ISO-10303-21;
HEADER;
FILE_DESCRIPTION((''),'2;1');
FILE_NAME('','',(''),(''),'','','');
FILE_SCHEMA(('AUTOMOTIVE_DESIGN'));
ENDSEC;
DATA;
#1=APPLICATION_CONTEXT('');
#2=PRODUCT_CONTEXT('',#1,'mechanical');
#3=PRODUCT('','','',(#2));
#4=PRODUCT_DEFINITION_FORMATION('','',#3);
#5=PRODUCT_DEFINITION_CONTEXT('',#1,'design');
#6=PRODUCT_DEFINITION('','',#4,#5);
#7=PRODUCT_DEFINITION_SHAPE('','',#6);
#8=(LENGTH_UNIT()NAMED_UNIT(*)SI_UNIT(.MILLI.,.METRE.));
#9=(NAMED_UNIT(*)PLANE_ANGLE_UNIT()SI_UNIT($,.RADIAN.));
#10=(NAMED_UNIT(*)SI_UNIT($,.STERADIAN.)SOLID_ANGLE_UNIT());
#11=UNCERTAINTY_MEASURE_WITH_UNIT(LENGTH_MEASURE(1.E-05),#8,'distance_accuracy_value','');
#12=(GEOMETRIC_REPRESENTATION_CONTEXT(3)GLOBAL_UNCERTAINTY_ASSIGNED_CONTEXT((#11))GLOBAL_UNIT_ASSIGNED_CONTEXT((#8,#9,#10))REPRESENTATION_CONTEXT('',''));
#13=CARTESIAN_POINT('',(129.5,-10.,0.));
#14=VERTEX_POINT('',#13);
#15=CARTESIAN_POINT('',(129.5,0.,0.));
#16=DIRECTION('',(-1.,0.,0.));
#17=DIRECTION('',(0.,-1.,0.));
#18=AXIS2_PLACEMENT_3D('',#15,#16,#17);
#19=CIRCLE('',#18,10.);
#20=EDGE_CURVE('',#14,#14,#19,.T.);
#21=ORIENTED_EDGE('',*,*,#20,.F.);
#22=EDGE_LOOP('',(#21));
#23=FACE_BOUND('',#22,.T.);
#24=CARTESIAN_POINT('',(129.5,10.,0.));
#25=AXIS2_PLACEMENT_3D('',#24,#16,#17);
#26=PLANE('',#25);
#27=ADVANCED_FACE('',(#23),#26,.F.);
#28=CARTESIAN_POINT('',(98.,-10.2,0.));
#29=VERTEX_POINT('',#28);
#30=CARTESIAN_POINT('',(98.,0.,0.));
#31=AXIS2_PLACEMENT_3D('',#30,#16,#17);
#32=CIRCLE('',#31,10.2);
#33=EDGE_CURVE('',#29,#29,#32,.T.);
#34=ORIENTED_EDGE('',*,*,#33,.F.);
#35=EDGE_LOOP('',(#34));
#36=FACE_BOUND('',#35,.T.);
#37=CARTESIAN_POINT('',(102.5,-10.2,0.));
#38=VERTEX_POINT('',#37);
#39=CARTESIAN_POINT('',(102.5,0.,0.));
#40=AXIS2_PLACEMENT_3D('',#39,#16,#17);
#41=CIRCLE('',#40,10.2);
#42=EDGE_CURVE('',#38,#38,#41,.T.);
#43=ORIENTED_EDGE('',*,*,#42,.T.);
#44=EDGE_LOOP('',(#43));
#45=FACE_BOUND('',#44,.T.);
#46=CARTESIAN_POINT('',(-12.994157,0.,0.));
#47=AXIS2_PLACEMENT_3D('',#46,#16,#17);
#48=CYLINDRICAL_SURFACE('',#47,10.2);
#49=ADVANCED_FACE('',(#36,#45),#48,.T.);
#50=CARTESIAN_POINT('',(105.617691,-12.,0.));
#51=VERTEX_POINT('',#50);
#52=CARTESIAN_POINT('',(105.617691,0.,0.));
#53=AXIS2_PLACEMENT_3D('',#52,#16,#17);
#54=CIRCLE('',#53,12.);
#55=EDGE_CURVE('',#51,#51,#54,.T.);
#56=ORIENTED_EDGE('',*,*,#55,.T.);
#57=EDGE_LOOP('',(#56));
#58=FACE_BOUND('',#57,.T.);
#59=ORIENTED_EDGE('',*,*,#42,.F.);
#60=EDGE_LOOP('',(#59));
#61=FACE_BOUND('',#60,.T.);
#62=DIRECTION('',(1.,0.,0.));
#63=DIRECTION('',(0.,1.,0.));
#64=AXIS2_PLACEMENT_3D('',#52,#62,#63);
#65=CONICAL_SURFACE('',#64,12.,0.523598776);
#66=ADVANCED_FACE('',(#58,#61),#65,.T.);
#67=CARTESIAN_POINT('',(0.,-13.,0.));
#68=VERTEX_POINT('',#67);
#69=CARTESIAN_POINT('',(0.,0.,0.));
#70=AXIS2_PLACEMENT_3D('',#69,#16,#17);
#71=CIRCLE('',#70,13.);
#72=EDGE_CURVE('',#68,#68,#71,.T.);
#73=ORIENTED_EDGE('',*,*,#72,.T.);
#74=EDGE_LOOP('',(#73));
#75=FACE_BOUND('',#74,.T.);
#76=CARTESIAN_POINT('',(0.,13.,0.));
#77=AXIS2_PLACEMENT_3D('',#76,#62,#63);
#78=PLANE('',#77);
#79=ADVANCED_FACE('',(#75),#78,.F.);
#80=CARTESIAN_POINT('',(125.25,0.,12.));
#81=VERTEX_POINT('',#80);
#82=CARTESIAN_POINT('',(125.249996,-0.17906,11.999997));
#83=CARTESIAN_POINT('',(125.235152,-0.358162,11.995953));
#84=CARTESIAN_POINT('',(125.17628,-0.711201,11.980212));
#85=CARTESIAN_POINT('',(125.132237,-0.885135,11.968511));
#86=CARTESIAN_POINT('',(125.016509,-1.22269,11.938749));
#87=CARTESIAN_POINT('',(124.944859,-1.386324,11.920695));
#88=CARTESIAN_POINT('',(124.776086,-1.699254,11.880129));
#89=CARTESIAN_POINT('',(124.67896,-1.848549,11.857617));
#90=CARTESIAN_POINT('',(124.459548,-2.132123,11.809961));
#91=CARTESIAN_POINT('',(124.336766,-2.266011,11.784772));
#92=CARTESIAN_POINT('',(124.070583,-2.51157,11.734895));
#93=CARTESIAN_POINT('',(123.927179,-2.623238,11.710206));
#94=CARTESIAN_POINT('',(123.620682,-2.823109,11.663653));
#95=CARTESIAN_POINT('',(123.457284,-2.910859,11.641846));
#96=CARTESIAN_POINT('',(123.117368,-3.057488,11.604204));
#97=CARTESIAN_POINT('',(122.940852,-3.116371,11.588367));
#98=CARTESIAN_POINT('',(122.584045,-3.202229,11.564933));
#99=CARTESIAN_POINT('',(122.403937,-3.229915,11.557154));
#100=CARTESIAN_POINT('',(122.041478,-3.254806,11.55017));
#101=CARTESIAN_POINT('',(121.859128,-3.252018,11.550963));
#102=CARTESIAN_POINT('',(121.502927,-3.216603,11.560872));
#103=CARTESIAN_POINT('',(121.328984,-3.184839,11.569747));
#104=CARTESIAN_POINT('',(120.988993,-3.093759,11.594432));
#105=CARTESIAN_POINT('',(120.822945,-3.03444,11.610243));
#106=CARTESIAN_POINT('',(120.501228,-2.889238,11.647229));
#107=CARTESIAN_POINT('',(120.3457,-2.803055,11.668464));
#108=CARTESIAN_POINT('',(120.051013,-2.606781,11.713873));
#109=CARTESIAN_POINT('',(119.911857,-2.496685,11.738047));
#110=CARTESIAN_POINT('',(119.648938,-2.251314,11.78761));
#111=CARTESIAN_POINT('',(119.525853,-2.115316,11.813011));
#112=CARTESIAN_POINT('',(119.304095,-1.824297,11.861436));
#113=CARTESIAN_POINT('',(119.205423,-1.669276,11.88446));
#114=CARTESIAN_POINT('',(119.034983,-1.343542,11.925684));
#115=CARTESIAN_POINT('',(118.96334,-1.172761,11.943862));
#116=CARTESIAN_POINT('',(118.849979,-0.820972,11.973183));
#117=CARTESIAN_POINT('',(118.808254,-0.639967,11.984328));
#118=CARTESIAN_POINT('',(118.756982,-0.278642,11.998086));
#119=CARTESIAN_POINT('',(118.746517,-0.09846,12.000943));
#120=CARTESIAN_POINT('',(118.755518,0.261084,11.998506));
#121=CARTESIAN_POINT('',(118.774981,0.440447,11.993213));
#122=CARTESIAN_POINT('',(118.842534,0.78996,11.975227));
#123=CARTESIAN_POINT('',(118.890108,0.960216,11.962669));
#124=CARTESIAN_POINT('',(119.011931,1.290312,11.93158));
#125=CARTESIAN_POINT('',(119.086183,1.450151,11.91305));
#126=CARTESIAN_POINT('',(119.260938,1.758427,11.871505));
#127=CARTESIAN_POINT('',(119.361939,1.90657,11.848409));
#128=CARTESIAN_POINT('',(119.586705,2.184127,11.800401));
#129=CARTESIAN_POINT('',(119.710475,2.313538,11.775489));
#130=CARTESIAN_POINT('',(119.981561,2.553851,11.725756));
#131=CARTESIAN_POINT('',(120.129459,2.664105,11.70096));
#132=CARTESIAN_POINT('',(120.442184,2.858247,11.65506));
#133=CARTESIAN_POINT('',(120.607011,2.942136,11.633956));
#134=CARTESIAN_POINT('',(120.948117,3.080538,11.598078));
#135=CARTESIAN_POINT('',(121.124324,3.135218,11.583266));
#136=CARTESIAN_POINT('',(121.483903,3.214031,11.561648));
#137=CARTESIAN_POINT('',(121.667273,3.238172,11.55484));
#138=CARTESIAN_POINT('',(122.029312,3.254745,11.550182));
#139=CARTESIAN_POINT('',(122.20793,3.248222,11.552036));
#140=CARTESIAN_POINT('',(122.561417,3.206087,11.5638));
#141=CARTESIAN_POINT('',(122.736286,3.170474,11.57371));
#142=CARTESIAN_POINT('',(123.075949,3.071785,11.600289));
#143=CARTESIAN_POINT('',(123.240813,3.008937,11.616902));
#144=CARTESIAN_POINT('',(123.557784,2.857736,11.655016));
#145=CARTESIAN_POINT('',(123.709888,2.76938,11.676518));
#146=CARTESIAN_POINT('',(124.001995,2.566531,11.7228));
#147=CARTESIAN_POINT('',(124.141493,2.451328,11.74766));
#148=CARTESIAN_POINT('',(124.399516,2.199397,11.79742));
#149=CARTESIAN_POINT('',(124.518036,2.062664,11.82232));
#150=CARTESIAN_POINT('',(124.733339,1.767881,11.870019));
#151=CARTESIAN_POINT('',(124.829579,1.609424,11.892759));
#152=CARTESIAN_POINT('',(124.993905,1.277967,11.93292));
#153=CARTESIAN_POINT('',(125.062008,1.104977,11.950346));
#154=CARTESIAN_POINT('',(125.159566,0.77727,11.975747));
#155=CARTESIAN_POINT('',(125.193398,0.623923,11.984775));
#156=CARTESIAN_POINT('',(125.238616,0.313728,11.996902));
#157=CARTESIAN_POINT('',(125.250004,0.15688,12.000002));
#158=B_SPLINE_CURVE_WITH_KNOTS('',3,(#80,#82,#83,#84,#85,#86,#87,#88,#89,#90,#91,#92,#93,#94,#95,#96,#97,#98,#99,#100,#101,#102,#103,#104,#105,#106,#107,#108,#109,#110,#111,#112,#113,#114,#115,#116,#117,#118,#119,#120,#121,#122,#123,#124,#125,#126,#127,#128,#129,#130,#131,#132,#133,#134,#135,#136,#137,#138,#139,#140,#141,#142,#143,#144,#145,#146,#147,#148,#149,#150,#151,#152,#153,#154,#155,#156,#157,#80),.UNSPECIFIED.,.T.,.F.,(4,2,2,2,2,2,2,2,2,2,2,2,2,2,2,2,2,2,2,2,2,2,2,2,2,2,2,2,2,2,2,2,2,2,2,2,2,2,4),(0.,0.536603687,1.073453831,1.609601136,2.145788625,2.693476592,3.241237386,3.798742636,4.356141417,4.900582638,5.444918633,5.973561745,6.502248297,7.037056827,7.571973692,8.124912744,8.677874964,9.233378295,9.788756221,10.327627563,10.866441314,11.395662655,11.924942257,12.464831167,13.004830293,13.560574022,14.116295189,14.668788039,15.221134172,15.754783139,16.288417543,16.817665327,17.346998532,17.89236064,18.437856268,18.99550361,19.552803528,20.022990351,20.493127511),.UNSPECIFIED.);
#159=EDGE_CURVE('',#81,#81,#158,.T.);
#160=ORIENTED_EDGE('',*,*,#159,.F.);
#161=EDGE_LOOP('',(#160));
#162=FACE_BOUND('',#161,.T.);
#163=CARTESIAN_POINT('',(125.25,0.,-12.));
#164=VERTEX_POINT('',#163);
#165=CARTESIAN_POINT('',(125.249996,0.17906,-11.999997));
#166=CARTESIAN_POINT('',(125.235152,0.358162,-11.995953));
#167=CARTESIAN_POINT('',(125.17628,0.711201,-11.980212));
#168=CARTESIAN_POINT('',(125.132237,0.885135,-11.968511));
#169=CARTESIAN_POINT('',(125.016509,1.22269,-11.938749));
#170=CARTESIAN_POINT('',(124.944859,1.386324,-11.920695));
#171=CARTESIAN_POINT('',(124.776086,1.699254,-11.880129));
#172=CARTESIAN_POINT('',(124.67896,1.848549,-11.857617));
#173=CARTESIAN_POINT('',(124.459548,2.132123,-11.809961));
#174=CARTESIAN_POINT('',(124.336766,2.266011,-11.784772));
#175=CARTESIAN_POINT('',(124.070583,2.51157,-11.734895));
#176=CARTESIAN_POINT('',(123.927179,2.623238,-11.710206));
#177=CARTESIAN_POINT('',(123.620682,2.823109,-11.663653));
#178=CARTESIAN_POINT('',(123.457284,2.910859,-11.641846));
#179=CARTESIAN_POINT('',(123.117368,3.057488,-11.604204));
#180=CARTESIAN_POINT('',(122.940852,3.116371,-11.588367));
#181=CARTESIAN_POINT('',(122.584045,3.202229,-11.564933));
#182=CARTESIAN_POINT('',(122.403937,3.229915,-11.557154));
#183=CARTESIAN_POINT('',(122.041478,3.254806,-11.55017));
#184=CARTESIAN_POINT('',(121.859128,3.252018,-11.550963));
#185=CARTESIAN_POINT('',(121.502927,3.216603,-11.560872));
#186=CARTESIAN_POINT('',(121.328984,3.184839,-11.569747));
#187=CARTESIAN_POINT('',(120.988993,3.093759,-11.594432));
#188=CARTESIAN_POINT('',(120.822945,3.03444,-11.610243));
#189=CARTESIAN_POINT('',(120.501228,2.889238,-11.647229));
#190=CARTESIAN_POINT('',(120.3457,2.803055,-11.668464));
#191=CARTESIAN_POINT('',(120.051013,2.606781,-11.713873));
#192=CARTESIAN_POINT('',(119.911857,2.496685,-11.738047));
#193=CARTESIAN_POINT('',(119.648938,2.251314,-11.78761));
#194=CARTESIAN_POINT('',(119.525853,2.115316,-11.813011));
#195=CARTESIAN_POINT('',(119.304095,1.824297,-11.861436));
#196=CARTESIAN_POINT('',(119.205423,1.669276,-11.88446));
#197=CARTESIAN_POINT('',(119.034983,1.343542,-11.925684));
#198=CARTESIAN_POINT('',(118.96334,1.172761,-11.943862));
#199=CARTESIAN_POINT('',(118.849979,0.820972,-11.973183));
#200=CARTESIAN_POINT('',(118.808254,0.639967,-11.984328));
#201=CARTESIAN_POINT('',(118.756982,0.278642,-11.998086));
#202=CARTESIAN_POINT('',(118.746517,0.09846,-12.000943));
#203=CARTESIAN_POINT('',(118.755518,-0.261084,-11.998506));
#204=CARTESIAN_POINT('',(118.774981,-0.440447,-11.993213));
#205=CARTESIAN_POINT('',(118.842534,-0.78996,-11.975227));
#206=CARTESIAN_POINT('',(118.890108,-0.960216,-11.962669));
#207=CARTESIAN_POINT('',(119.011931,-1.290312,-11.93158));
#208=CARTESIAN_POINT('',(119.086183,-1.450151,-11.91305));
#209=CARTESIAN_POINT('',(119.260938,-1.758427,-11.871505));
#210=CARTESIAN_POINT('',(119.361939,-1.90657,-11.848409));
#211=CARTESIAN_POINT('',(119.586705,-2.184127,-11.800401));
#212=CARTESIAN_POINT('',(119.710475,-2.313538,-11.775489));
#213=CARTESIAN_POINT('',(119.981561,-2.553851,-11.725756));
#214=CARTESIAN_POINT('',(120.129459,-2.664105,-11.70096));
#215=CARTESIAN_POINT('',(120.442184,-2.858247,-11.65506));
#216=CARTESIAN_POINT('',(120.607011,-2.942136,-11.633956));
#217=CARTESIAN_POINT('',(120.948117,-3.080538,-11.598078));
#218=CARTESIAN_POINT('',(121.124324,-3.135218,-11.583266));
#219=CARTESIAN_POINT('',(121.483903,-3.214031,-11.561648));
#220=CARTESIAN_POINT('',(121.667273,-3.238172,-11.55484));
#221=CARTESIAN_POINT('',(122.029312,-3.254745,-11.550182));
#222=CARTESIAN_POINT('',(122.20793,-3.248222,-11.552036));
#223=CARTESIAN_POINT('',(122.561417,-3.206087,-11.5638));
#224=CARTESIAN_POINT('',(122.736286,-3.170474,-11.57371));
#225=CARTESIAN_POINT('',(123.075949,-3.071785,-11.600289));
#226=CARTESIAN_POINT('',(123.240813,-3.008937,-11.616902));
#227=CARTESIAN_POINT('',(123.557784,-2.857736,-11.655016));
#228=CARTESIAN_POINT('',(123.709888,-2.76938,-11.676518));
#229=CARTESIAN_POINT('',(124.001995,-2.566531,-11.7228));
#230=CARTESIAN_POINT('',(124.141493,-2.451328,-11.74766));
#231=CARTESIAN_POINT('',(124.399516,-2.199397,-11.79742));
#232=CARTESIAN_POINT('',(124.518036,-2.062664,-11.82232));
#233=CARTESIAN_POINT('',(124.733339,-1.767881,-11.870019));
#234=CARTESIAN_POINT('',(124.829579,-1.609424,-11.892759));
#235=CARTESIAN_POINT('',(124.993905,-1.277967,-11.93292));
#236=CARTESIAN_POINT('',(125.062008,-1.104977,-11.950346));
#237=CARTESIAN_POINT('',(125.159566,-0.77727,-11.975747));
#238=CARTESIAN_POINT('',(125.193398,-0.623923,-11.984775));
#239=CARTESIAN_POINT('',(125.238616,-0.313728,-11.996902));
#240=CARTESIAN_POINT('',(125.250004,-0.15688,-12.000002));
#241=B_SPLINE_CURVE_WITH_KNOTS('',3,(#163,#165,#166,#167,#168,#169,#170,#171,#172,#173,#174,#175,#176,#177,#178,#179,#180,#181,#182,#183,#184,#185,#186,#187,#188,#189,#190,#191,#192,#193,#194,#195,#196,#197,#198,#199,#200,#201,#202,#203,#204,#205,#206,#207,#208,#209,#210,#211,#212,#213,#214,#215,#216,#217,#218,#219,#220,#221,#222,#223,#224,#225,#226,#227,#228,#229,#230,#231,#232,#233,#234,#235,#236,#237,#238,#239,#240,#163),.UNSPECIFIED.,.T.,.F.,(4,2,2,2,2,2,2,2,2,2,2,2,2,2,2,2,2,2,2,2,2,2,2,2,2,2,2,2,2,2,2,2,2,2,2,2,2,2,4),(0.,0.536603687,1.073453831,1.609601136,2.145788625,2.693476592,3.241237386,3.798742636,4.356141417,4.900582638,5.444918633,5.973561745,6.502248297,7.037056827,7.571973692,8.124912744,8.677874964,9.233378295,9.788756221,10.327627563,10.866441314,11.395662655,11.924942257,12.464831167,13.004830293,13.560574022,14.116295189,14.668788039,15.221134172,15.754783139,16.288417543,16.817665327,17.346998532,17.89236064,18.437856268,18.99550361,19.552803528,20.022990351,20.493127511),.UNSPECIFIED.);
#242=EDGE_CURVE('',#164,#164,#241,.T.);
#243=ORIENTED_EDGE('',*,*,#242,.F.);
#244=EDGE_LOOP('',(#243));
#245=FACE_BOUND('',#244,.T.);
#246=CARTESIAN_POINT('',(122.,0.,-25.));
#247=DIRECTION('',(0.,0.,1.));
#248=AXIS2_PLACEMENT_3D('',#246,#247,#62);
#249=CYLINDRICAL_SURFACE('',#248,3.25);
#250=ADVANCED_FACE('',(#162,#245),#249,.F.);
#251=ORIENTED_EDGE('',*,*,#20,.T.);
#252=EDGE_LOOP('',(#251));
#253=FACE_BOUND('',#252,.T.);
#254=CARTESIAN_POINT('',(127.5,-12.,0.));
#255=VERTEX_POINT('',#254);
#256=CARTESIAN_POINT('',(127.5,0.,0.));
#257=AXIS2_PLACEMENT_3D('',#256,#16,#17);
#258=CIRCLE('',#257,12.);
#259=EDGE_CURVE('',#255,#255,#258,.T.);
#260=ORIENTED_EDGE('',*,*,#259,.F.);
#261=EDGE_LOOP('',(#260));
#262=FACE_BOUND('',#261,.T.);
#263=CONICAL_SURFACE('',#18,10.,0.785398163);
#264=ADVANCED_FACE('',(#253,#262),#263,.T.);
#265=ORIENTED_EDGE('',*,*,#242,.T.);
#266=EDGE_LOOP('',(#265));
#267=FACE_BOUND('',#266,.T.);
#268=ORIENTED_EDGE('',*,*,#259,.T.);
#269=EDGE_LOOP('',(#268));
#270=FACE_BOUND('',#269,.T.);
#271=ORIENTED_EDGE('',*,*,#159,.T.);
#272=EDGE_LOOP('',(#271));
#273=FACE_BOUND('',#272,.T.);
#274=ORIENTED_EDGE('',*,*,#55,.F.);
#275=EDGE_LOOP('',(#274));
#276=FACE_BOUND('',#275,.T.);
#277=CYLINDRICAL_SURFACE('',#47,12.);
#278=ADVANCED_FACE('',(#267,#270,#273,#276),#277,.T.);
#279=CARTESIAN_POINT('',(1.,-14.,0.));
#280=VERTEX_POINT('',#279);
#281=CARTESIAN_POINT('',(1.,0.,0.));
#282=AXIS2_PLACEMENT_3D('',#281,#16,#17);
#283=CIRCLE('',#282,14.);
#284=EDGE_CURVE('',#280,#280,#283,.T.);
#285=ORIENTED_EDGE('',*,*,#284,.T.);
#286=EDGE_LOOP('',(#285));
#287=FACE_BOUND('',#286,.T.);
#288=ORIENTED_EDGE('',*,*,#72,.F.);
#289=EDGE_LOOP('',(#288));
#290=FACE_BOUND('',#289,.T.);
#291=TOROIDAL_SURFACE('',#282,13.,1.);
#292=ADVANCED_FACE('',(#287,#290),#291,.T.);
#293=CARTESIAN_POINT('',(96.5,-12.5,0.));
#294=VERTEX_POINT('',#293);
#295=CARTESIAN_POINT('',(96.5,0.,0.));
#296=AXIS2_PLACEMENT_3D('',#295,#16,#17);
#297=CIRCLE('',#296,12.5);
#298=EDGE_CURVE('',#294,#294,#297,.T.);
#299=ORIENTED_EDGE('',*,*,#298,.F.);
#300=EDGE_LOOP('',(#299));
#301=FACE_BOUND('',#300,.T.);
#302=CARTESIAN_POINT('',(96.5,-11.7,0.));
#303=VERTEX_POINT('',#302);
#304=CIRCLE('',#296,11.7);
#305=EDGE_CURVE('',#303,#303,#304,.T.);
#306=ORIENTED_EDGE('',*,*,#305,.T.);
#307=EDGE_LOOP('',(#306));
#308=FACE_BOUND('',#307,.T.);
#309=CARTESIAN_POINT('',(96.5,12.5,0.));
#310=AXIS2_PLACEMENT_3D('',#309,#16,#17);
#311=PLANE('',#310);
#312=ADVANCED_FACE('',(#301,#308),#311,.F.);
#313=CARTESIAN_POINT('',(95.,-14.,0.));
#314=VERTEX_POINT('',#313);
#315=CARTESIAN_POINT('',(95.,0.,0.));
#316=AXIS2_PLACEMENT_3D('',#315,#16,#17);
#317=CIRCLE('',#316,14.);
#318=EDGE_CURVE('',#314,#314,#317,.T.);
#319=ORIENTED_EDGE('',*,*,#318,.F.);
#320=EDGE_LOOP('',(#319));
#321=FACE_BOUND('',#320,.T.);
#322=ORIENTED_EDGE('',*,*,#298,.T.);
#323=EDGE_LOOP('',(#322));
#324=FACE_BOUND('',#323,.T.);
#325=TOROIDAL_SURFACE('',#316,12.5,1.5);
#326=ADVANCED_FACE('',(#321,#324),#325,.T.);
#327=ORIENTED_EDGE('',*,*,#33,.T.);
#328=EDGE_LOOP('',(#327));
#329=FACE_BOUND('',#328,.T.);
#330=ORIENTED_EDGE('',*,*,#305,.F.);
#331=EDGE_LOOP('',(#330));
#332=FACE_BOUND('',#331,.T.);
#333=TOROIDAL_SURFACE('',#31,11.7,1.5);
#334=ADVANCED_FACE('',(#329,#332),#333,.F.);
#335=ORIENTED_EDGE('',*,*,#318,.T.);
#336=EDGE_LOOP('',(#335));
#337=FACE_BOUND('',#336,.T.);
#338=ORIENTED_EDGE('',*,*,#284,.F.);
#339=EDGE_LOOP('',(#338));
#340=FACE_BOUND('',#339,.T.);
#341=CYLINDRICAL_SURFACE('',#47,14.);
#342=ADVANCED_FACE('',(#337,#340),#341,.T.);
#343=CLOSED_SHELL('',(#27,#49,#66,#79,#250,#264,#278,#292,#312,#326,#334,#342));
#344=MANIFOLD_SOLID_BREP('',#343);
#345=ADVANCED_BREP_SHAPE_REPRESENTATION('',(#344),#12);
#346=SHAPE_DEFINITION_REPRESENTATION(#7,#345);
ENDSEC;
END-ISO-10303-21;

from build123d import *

# Parameters (mm, degrees)
SKETCH2_R       = 3.25
F_6_5_HUL_DEPTH = 25


with BuildPart() as part:
    # Sketch1 → Base-Revolve (revolve)
    with BuildSketch(Plane.XY):
        with BuildLine():
            Line((1, 14), (95, 14))
            ThreePointArc((95, 14), (96.060660172, 13.560660172), (96.5, 12.5))
            Line((96.5, 12.5), (96.5, 11.7))
            ThreePointArc((96.5, 11.7), (96.939339828, 10.639339828), (98, 10.2))
            Line((98, 10.2), (102.5, 10.2))
            Line((102.5, 10.2), (105.617691454, 12))
            Line((105.617691454, 12), (127.5, 12))
            Line((127.5, 12), (129.5, 10))
            Line((129.5, 10), (129.5, 0))
            Line((129.5, 0), (0, 0))
            Line((0, 0), (0, 13))
            ThreePointArc((0, 13), (0.292893219, 13.707106781), (1, 14))
        make_face()
    revolve(axis=Axis((-12.994157099, 0, 0), (1, 0, 0)))

    # Sketch2 → ø6.5 hul (cut, symmetric)
    with BuildSketch(Plane.XY):
        with Locations((122, 0)):
            Circle(SKETCH2_R)
    extrude(amount=F_6_5_HUL_DEPTH, both=True, mode=Mode.SUBTRACT)


solid = part.part
